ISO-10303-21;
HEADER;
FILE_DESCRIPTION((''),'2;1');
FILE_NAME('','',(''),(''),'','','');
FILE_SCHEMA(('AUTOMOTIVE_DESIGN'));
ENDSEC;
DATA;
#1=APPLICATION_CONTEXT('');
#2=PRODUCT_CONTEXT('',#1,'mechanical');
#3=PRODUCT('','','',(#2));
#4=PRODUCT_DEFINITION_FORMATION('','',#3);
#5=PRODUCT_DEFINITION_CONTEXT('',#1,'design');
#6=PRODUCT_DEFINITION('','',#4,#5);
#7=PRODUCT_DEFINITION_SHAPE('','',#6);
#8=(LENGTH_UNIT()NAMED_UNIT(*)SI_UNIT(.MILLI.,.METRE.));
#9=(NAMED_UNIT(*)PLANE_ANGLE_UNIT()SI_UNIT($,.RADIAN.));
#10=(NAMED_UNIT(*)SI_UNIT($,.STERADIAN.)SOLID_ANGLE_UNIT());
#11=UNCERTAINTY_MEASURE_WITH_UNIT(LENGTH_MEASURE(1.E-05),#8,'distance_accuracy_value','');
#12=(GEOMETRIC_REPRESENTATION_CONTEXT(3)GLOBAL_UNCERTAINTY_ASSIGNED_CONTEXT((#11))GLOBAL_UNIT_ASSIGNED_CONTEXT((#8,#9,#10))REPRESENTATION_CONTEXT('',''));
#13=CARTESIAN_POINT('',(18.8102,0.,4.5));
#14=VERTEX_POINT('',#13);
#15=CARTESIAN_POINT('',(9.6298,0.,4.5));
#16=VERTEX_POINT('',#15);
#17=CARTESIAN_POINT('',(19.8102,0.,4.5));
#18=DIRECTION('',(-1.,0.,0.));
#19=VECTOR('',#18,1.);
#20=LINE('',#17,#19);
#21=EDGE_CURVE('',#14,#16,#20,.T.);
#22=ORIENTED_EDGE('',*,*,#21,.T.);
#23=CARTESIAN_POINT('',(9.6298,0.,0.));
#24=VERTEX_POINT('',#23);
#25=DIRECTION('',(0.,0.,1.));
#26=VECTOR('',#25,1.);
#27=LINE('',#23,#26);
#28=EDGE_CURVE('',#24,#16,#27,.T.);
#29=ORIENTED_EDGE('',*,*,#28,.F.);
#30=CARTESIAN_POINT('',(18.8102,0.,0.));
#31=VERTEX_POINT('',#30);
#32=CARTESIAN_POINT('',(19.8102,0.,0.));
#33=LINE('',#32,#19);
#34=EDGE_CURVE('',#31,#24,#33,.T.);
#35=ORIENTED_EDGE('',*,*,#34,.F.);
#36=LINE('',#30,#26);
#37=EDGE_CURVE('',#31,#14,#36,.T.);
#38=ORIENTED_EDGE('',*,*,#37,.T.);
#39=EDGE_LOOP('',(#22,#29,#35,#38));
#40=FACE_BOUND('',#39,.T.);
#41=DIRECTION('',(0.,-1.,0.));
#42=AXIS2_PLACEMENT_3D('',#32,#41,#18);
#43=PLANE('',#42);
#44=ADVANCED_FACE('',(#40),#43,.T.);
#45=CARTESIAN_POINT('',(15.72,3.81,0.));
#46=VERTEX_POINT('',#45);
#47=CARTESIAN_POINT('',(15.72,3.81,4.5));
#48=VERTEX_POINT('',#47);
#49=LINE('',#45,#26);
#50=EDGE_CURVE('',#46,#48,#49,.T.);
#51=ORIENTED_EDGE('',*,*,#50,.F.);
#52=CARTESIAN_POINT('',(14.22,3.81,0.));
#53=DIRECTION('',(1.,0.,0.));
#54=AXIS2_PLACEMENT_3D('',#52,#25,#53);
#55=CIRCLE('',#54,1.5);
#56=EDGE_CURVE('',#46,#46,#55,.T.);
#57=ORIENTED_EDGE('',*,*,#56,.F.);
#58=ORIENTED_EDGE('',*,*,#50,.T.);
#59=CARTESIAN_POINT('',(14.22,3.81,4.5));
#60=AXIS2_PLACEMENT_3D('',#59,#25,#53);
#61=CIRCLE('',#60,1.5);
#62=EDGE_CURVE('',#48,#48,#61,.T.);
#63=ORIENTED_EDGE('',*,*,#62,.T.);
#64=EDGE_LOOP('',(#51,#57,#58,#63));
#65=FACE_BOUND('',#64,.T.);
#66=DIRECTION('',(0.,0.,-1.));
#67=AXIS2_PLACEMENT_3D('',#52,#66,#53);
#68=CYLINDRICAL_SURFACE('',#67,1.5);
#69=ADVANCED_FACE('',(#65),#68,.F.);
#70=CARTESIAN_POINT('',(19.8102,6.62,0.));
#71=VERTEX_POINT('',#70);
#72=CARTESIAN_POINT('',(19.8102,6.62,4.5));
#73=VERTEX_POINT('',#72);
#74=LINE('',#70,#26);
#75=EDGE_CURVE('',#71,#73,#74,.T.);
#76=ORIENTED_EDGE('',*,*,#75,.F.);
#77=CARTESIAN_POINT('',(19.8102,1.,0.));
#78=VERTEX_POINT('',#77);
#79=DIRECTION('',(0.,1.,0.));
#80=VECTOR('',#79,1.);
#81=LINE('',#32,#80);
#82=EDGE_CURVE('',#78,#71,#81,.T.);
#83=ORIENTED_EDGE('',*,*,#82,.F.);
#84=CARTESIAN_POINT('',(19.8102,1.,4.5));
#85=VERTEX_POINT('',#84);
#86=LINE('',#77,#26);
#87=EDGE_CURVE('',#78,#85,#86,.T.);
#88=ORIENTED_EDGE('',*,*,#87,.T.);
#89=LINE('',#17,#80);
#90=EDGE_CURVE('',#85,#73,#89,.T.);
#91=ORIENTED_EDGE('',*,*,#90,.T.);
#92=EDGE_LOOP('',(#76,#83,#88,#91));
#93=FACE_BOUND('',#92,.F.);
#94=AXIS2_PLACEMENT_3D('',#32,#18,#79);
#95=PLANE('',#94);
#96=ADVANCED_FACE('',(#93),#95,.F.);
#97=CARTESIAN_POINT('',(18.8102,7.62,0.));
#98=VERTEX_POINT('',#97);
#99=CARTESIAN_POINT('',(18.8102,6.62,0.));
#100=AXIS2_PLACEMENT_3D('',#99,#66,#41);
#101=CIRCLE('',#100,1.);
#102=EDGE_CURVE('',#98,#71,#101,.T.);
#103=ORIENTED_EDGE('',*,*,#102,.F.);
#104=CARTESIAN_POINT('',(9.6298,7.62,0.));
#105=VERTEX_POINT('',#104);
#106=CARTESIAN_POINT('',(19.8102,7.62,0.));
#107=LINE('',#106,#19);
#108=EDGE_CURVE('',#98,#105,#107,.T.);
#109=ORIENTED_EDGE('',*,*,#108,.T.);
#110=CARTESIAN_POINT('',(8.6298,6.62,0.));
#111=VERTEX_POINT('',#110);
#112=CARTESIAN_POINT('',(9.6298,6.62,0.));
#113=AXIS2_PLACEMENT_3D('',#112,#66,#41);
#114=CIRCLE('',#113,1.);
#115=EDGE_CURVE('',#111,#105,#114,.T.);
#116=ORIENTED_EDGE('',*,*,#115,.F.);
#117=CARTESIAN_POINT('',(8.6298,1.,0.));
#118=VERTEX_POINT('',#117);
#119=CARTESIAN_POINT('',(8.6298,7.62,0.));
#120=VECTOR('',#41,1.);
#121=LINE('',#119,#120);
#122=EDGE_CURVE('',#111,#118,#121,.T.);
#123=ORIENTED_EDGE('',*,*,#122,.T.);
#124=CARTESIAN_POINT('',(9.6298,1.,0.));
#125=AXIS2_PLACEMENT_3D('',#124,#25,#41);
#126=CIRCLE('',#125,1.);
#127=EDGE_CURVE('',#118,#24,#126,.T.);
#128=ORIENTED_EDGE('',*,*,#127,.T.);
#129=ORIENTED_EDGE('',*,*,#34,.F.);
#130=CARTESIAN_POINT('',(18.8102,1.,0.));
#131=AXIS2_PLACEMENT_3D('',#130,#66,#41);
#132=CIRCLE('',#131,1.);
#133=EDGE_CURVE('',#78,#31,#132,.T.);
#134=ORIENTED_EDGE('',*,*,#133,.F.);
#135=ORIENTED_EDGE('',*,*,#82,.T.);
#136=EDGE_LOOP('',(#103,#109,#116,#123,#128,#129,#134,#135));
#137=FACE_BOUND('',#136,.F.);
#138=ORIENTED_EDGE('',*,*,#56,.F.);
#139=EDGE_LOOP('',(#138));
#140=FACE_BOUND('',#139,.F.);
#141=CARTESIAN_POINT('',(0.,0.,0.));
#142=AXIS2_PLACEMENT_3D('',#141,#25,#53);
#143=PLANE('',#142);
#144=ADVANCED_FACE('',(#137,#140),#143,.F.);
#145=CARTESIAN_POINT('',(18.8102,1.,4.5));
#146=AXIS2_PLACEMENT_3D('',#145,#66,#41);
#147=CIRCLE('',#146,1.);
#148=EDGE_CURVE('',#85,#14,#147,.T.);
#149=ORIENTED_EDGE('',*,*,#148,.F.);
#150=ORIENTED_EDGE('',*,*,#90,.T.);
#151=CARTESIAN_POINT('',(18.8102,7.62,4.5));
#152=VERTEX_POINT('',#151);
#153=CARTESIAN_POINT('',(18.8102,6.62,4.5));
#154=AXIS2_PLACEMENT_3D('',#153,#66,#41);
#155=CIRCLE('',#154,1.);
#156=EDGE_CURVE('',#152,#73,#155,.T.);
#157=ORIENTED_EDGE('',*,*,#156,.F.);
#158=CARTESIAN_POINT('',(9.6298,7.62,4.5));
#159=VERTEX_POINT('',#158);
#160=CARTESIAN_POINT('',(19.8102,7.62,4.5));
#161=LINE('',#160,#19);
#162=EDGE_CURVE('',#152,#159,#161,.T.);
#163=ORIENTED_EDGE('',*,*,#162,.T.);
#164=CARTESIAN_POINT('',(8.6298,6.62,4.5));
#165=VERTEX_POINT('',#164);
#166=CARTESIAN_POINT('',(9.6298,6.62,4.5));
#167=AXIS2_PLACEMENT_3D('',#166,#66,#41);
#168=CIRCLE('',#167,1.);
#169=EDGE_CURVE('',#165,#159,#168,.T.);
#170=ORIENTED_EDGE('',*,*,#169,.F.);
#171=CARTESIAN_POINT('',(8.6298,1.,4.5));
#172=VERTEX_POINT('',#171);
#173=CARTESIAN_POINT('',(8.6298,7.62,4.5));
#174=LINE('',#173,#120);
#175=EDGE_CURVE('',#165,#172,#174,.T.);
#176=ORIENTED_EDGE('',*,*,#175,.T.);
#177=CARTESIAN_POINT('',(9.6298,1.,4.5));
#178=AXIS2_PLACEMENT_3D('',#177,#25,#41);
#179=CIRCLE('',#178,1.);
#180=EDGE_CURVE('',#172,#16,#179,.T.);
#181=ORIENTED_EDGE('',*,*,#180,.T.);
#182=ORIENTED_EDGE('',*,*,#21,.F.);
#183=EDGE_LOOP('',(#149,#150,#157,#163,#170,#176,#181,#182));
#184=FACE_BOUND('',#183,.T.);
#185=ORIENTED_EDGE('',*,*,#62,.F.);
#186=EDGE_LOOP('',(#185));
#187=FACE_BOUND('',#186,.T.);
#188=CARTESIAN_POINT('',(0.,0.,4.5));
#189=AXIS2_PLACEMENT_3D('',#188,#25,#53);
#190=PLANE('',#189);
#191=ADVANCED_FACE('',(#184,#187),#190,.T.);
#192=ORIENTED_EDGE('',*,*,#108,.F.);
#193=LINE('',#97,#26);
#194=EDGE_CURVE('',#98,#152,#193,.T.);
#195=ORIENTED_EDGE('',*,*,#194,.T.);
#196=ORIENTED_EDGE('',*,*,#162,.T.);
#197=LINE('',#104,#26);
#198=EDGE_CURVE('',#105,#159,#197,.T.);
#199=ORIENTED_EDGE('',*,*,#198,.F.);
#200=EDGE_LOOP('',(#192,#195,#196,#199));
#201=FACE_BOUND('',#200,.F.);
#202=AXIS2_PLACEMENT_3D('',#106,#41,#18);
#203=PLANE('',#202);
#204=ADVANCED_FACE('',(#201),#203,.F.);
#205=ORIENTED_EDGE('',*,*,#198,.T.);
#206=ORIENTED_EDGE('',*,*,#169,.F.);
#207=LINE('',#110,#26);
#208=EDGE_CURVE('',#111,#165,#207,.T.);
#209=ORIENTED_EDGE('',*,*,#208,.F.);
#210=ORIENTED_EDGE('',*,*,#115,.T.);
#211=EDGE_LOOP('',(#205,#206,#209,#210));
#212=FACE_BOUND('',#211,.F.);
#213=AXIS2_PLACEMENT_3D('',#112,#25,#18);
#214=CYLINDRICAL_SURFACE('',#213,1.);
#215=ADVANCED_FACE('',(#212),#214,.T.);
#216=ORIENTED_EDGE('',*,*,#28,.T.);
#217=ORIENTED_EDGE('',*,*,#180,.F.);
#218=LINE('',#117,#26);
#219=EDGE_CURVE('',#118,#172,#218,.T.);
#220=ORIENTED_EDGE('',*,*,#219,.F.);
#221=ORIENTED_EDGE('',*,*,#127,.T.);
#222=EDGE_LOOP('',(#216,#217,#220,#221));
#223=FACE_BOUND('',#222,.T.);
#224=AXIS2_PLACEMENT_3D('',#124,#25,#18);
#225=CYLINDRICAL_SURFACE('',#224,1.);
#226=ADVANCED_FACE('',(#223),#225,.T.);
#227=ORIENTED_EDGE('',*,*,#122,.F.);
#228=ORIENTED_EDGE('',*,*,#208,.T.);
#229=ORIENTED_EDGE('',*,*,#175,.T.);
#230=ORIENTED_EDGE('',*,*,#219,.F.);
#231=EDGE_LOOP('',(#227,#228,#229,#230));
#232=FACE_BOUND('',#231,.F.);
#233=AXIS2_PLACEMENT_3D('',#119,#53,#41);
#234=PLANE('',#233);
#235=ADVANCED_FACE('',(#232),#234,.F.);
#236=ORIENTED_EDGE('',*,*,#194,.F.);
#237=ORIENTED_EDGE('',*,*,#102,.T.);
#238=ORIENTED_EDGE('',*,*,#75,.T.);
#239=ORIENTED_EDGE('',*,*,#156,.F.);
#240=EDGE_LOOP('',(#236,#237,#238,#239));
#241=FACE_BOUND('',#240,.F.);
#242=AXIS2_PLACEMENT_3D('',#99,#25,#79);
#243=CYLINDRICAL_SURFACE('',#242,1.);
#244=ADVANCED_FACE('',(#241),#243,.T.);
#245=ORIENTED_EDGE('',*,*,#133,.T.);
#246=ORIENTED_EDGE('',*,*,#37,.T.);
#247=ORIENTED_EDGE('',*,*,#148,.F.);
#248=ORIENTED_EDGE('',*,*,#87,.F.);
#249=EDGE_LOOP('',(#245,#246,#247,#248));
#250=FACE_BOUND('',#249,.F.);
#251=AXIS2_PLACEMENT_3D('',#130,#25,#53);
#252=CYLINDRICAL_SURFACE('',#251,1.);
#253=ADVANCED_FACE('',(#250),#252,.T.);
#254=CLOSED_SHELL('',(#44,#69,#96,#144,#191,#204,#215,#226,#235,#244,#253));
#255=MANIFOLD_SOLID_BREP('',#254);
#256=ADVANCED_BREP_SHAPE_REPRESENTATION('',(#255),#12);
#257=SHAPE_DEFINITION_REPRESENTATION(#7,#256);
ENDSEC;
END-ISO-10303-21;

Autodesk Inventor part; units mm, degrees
ref_plane "YZ Plane" through (0, 0, 0) normal (1, 0, 0) x (0, 1, 0)
ref_plane "XZ Plane" through (0, 0, 0) normal (0, 1, 0) x (-1, 0, 0)
ref_plane "XY Plane" through (0, 0, 0) normal (0, 0, 1) x (1, 0, 0)
sketch "Sketch1" plane through (0, 0, 0) normal (0, 0, 1) x (1, 0, 0)
  circle A0 centre (14.22, 3.81) radius 1.5 projected
  circle A1 centre (14.22, -4.69) radius 1.5 projected
  line L0 (8.6298, -8.5) -> (19.8102, -8.5) projected
  line L1 (19.8102, -8.5) -> (19.8102, 0) projected
  line L2 (19.8102, 0) -> (8.6298, 0) projected
  line L3 (8.6298, 0) -> (8.6298, -8.5) projected
  line L4 (8.6298, 0) -> (19.8102, 0)
  line L5 (19.8102, 0) -> (19.8102, 7.62)
  line L6 (19.8102, 7.62) -> (8.6298, 7.62)
  line L7 (8.6298, 7.62) -> (8.6298, 0)
  point P0 (0, 0)
  dimension "d0" = 3.81
extrude "Extrusion1" add sketch "Sketch1" along normal blind 4.5 contours L7 L6 L5 L2
fillet "Fillet1" radius 1 4 edges at (8.6298, 7.62, 2.25) (8.6298, 0, 2.25) (19.8102, 7.62, 2.25) (19.8102, 0, 2.25)
properties part number "ConnectingBlockTail"
